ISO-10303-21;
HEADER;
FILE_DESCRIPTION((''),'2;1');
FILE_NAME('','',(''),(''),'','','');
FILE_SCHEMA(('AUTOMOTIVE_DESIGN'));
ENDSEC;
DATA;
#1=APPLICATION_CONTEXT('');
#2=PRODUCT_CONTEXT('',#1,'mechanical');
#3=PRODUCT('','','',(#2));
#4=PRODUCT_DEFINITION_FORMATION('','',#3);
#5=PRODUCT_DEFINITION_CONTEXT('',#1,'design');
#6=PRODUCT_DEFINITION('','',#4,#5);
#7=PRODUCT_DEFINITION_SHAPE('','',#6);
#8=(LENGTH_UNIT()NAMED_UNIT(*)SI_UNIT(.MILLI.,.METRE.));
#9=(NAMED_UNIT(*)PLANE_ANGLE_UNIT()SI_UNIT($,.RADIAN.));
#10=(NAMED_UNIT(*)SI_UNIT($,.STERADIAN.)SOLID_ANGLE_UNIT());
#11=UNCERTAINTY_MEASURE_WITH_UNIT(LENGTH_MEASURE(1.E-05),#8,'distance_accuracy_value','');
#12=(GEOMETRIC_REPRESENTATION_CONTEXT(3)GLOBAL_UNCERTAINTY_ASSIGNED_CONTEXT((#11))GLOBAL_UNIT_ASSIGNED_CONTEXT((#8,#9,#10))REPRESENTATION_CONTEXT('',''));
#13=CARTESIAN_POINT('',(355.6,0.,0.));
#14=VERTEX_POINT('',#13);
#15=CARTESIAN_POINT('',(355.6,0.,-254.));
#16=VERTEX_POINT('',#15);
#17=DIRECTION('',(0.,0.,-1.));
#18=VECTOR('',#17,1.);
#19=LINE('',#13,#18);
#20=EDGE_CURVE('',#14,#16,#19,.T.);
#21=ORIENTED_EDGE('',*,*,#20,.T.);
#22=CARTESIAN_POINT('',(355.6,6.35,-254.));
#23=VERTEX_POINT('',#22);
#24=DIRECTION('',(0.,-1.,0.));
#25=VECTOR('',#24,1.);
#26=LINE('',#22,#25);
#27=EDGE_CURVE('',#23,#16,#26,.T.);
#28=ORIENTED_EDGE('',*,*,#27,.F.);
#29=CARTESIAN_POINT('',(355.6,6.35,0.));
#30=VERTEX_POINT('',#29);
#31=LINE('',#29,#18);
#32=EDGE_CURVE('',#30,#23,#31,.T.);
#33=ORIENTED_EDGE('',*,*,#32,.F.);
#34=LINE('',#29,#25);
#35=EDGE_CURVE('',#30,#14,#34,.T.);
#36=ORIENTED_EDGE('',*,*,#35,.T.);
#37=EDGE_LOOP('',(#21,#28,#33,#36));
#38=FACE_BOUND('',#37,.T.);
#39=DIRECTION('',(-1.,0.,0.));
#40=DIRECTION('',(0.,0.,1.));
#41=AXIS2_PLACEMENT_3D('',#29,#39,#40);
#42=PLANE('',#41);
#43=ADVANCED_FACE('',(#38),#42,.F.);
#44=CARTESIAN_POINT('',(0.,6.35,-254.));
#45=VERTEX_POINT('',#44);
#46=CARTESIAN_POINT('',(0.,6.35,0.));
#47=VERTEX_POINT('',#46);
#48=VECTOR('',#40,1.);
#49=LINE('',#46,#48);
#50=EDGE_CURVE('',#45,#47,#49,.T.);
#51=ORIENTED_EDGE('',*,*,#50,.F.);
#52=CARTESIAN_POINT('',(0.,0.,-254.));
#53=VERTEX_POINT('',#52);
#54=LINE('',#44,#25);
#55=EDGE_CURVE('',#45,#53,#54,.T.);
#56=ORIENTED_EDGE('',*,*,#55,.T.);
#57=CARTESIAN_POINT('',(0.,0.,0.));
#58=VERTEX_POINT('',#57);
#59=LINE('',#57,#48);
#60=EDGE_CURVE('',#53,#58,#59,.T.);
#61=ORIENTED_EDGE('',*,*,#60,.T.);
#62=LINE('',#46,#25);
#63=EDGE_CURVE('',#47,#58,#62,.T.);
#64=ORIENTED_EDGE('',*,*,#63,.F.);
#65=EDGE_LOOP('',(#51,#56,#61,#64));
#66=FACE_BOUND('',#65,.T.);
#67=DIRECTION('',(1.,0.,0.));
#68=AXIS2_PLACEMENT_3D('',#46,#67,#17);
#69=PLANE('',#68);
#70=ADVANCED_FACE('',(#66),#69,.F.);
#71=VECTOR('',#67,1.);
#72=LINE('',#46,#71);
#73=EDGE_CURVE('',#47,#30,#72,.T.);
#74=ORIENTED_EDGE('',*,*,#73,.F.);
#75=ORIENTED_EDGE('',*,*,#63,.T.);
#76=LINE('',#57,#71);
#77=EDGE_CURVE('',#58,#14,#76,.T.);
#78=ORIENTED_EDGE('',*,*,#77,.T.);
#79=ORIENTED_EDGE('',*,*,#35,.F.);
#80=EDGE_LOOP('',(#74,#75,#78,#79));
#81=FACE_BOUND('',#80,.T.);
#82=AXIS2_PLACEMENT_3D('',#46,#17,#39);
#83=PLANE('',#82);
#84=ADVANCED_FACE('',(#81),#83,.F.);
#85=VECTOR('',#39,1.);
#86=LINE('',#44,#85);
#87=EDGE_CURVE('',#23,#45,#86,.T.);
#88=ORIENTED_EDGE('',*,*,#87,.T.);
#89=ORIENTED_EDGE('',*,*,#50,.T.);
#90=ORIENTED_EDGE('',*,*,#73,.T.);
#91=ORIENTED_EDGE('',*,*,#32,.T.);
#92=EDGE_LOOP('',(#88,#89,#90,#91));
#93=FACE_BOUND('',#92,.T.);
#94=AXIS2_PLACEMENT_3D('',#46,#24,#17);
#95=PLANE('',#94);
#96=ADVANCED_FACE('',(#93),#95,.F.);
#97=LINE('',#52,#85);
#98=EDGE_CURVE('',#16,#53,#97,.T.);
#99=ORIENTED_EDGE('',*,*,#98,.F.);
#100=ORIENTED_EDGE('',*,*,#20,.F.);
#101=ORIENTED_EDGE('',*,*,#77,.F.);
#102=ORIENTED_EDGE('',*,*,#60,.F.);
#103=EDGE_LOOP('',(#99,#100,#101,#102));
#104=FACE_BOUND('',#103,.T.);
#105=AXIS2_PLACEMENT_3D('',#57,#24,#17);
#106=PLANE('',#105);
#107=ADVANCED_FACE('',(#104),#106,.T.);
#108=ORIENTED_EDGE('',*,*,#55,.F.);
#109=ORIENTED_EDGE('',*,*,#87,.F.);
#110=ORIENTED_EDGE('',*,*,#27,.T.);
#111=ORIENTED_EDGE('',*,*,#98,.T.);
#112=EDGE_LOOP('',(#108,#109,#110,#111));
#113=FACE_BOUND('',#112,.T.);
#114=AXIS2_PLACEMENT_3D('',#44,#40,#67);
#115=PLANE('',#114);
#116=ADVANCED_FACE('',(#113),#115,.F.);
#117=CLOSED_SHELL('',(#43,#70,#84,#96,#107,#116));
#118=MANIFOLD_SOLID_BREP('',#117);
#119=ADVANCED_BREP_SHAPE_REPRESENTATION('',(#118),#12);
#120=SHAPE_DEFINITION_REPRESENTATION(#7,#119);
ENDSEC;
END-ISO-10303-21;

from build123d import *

# Parameters (mm, degrees)
SKETCH1_W           = 355.6
SKETCH1_H           = 254
BOSS_EXTRUDE1_DEPTH = 6.35


with BuildPart() as part:
    # Sketch1 → Boss-Extrude1 (new body)
    with BuildSketch(Plane(origin=(0, 0, 0), x_dir=(1, 0, 0), z_dir=(0, 1, 0))):
        with Locations((177.8, 127)):
            Rectangle(SKETCH1_W, SKETCH1_H)
    extrude(amount=BOSS_EXTRUDE1_DEPTH)


solid = part.part
